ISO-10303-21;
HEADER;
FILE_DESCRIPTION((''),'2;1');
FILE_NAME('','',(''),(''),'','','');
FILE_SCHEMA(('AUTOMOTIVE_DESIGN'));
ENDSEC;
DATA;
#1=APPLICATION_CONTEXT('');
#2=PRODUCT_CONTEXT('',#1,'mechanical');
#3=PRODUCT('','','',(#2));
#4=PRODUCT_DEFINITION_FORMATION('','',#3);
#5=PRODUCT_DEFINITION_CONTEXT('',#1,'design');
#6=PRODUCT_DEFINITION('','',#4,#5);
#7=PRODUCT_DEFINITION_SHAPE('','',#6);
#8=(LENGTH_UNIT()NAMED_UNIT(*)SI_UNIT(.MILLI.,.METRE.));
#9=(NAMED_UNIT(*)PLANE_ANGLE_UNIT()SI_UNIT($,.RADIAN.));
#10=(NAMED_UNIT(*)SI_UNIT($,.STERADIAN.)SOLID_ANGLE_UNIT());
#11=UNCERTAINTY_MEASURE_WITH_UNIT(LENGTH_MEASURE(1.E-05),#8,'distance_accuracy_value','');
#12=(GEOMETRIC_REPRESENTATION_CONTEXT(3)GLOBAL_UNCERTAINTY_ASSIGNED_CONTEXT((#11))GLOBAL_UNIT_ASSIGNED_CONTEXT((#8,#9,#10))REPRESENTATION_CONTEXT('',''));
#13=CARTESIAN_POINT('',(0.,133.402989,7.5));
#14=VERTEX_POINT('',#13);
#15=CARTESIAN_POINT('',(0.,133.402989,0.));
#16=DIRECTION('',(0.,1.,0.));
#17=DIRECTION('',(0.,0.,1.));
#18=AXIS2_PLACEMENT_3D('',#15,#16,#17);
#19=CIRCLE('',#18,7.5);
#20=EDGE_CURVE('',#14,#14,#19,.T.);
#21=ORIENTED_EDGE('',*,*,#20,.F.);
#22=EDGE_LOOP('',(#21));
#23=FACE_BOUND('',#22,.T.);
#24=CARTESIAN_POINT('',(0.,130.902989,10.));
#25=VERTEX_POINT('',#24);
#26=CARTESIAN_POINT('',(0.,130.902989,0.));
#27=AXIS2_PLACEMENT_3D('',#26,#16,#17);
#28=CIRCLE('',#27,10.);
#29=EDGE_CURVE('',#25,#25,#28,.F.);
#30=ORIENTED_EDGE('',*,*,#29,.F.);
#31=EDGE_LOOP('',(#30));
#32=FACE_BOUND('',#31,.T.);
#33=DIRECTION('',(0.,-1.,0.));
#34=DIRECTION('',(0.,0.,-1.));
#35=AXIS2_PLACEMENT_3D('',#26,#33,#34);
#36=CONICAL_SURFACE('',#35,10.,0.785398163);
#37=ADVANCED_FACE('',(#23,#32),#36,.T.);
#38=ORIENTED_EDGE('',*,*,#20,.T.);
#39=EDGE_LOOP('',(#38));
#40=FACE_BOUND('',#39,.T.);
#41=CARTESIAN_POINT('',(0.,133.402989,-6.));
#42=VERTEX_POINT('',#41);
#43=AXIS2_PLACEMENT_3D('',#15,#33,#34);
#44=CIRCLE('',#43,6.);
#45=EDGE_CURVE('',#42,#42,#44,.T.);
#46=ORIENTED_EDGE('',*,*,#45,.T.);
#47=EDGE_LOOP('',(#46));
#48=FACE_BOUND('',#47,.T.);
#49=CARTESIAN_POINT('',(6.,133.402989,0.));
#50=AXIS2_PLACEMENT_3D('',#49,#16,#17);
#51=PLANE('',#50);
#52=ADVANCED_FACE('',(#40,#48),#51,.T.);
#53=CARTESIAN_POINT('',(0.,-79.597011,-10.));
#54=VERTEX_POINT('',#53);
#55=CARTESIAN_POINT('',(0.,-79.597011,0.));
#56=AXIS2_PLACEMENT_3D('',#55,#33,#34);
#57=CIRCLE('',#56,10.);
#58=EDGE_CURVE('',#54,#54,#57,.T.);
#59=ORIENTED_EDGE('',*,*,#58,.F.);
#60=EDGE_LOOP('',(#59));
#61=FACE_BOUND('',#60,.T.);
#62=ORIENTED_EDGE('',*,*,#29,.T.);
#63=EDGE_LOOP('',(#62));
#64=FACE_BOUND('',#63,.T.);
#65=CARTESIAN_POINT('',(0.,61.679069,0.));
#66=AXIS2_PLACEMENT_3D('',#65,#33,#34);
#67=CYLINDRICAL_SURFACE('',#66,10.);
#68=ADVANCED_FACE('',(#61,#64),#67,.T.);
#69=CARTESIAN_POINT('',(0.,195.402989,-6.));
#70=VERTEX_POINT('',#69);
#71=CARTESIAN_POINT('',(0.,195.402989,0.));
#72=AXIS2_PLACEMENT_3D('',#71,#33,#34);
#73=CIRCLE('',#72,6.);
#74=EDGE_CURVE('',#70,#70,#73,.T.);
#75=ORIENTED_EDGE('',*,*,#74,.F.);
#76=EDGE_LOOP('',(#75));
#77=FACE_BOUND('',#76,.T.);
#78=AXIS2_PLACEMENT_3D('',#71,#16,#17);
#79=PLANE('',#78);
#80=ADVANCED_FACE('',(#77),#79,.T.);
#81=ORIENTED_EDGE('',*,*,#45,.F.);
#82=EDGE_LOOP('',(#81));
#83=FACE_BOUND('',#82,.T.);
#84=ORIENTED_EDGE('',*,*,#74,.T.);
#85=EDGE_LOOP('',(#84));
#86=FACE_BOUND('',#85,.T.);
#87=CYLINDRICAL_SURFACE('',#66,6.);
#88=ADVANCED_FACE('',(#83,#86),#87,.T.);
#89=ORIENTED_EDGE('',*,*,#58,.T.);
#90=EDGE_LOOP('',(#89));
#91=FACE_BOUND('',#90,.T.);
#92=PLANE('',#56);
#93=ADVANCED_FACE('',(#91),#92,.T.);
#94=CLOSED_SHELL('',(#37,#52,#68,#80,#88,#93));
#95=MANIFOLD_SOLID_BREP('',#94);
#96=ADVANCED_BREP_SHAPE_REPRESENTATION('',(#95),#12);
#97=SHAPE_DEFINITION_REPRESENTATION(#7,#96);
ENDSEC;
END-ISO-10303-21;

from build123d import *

# Parameters (mm, degrees)
CHAMFER1_SIZE = 2.5


with BuildPart() as part:
    # Sketch1 → Revolve1 (revolve)
    with BuildSketch(Plane.XY):
        Polygon((0, -79.597010697), (10, -79.597010697), (10, 133.402989303), (6, 133.402989303), (6, 195.402989303), (0, 195.402989303), align=None)
    revolve(axis=Axis((0, 61.679068895, 0), (0, 1, 0)))

    # Chamfer1
    chamfer1_edges = [part.edges().sort_by_distance(p)[0] for p in [
        (-10, 133.402989303, 0),
    ]]
    chamfer(chamfer1_edges, length=CHAMFER1_SIZE)


solid = part.part
